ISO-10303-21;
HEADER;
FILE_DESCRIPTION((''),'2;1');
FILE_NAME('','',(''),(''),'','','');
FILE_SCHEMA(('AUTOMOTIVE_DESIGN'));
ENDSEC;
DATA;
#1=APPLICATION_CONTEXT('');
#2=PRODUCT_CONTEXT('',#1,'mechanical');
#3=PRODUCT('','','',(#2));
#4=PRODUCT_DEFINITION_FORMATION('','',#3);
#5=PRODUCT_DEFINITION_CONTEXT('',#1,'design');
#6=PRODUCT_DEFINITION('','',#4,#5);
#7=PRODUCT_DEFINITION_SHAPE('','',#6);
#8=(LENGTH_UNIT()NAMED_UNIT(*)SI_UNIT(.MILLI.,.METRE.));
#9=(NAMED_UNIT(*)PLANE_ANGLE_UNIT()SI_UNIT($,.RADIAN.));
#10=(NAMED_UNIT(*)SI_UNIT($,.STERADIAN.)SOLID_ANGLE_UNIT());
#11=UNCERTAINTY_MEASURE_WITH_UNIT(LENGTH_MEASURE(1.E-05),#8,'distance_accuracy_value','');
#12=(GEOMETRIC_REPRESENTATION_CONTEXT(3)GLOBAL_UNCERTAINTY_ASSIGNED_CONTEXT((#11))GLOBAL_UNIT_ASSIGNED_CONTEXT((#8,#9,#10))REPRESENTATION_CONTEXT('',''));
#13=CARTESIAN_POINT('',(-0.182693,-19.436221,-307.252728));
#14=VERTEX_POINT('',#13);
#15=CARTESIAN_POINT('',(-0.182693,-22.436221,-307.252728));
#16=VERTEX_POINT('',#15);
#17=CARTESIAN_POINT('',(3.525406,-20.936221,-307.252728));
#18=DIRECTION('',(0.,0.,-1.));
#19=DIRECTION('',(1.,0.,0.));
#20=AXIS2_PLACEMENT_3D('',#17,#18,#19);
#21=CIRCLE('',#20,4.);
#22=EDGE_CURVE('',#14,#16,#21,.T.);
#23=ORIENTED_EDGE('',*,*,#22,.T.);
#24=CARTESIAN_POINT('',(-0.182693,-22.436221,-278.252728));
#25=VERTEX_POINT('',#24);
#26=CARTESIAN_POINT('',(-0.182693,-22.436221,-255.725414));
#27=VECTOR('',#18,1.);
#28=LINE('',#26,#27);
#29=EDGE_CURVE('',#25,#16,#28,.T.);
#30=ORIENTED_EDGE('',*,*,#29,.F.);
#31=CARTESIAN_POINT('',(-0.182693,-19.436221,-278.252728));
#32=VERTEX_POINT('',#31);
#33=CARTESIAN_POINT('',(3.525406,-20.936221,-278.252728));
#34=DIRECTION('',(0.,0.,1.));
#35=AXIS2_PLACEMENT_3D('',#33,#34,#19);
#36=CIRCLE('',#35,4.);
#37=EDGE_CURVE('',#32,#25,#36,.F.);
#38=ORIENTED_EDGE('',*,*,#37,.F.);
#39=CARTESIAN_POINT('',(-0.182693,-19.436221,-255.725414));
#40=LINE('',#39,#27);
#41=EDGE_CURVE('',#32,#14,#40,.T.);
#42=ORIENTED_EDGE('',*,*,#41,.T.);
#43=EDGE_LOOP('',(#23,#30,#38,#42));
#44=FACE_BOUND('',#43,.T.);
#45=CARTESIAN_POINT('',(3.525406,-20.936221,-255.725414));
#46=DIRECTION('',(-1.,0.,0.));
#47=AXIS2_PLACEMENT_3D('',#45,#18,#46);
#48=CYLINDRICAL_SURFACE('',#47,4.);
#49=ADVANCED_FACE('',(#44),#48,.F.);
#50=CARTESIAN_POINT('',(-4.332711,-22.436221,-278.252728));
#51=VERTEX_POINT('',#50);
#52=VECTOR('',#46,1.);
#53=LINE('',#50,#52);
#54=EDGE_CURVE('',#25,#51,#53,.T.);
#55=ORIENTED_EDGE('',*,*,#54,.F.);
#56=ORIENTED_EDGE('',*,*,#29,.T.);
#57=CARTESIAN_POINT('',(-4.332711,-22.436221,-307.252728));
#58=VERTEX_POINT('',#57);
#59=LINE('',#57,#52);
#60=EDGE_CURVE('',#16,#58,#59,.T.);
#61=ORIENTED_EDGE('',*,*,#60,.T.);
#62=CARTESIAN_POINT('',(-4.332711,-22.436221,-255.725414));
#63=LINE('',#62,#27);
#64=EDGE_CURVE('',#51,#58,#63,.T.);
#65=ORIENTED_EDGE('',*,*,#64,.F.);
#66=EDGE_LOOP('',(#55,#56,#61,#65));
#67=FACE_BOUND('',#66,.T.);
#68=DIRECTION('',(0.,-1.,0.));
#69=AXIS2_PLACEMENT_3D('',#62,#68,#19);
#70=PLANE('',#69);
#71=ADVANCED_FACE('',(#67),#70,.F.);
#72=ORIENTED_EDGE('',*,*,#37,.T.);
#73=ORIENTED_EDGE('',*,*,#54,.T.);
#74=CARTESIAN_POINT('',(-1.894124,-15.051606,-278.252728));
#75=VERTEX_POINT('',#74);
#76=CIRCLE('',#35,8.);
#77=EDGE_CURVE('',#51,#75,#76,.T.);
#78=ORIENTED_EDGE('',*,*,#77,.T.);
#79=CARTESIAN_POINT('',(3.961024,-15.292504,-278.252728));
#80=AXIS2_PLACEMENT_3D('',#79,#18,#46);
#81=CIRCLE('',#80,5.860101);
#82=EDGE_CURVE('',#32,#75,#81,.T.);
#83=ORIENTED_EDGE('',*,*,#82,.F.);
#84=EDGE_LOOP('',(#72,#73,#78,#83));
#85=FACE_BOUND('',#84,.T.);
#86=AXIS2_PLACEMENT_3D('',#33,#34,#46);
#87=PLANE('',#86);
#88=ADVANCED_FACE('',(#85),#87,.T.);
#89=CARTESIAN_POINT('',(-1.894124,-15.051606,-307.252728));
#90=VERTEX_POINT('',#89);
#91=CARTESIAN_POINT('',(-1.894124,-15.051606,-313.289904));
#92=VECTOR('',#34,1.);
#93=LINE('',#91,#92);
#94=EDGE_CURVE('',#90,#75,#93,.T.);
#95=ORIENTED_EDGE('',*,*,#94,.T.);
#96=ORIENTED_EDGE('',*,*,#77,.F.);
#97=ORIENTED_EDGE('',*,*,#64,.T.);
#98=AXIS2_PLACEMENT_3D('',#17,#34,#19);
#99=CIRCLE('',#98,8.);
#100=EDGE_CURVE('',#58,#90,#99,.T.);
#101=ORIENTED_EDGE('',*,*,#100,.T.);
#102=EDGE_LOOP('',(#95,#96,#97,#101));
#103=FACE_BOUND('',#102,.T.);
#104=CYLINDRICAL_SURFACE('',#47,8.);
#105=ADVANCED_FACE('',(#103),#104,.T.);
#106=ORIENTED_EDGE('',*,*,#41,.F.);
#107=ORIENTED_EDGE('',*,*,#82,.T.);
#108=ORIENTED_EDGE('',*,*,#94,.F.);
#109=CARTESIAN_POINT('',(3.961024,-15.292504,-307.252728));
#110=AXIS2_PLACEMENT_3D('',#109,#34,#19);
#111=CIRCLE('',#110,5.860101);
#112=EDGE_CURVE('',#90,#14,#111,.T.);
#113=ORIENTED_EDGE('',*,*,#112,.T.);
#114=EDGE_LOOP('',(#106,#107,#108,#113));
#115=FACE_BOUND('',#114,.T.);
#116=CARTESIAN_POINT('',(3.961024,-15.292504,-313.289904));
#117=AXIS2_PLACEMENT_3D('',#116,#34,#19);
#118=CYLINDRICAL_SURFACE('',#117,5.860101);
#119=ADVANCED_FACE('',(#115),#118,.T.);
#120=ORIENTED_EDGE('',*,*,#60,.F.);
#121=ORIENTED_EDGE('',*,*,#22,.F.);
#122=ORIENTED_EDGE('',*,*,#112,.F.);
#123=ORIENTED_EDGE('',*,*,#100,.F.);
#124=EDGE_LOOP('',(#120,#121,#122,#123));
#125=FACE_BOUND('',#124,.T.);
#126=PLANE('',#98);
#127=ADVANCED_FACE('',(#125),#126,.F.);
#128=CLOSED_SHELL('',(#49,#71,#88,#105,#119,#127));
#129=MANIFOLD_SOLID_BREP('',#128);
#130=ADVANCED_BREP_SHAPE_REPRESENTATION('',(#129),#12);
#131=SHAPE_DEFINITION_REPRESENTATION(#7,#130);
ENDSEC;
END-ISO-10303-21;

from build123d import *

# Parameters (mm, degrees)
BOSS_EXTRUDE1_DEPTH = 29
CUT_EXTRUDE1_START  = -29
CUT_EXTRUDE1_DEPTH  = 29


with BuildPart() as part:
    # Sketch1 → Boss-Extrude1 (new body)
    with BuildSketch(Plane.XY.offset(-307.252727895)):
        with BuildLine():
            Line((-0.182693347, -19.436221023), (-4.332710926, -19.436221023))
            ThreePointArc((-4.332710926, -19.436221023), (11.525405897, -20.936221023), (-4.332710926, -22.436221023))
            Line((-4.332710926, -22.436221023), (-0.182693347, -22.436221023))
            ThreePointArc((-0.182693347, -22.436221023), (7.525405896, -20.936221023), (-0.182693347, -19.436221023))
        make_face()
    extrude(amount=BOSS_EXTRUDE1_DEPTH)

    # Sketch2 → Cut-Extrude1 (cut)
    with BuildSketch(Plane.XY.offset(-278.252727895).offset(CUT_EXTRUDE1_START)):
        with BuildLine():
            Line((-0.182693347, -19.436221023), (-4.332710926, -19.436221023))
            ThreePointArc((-4.332710926, -19.436221023), (-3.4660308, -17.047800658), (-1.894123767, -15.051605638))
            ThreePointArc((-1.894123767, -15.051605638), (-1.497962981, -17.423289479), (-0.182693347, -19.436221023))
        make_face()
    extrude(amount=CUT_EXTRUDE1_DEPTH, mode=Mode.SUBTRACT)


solid = part.part
